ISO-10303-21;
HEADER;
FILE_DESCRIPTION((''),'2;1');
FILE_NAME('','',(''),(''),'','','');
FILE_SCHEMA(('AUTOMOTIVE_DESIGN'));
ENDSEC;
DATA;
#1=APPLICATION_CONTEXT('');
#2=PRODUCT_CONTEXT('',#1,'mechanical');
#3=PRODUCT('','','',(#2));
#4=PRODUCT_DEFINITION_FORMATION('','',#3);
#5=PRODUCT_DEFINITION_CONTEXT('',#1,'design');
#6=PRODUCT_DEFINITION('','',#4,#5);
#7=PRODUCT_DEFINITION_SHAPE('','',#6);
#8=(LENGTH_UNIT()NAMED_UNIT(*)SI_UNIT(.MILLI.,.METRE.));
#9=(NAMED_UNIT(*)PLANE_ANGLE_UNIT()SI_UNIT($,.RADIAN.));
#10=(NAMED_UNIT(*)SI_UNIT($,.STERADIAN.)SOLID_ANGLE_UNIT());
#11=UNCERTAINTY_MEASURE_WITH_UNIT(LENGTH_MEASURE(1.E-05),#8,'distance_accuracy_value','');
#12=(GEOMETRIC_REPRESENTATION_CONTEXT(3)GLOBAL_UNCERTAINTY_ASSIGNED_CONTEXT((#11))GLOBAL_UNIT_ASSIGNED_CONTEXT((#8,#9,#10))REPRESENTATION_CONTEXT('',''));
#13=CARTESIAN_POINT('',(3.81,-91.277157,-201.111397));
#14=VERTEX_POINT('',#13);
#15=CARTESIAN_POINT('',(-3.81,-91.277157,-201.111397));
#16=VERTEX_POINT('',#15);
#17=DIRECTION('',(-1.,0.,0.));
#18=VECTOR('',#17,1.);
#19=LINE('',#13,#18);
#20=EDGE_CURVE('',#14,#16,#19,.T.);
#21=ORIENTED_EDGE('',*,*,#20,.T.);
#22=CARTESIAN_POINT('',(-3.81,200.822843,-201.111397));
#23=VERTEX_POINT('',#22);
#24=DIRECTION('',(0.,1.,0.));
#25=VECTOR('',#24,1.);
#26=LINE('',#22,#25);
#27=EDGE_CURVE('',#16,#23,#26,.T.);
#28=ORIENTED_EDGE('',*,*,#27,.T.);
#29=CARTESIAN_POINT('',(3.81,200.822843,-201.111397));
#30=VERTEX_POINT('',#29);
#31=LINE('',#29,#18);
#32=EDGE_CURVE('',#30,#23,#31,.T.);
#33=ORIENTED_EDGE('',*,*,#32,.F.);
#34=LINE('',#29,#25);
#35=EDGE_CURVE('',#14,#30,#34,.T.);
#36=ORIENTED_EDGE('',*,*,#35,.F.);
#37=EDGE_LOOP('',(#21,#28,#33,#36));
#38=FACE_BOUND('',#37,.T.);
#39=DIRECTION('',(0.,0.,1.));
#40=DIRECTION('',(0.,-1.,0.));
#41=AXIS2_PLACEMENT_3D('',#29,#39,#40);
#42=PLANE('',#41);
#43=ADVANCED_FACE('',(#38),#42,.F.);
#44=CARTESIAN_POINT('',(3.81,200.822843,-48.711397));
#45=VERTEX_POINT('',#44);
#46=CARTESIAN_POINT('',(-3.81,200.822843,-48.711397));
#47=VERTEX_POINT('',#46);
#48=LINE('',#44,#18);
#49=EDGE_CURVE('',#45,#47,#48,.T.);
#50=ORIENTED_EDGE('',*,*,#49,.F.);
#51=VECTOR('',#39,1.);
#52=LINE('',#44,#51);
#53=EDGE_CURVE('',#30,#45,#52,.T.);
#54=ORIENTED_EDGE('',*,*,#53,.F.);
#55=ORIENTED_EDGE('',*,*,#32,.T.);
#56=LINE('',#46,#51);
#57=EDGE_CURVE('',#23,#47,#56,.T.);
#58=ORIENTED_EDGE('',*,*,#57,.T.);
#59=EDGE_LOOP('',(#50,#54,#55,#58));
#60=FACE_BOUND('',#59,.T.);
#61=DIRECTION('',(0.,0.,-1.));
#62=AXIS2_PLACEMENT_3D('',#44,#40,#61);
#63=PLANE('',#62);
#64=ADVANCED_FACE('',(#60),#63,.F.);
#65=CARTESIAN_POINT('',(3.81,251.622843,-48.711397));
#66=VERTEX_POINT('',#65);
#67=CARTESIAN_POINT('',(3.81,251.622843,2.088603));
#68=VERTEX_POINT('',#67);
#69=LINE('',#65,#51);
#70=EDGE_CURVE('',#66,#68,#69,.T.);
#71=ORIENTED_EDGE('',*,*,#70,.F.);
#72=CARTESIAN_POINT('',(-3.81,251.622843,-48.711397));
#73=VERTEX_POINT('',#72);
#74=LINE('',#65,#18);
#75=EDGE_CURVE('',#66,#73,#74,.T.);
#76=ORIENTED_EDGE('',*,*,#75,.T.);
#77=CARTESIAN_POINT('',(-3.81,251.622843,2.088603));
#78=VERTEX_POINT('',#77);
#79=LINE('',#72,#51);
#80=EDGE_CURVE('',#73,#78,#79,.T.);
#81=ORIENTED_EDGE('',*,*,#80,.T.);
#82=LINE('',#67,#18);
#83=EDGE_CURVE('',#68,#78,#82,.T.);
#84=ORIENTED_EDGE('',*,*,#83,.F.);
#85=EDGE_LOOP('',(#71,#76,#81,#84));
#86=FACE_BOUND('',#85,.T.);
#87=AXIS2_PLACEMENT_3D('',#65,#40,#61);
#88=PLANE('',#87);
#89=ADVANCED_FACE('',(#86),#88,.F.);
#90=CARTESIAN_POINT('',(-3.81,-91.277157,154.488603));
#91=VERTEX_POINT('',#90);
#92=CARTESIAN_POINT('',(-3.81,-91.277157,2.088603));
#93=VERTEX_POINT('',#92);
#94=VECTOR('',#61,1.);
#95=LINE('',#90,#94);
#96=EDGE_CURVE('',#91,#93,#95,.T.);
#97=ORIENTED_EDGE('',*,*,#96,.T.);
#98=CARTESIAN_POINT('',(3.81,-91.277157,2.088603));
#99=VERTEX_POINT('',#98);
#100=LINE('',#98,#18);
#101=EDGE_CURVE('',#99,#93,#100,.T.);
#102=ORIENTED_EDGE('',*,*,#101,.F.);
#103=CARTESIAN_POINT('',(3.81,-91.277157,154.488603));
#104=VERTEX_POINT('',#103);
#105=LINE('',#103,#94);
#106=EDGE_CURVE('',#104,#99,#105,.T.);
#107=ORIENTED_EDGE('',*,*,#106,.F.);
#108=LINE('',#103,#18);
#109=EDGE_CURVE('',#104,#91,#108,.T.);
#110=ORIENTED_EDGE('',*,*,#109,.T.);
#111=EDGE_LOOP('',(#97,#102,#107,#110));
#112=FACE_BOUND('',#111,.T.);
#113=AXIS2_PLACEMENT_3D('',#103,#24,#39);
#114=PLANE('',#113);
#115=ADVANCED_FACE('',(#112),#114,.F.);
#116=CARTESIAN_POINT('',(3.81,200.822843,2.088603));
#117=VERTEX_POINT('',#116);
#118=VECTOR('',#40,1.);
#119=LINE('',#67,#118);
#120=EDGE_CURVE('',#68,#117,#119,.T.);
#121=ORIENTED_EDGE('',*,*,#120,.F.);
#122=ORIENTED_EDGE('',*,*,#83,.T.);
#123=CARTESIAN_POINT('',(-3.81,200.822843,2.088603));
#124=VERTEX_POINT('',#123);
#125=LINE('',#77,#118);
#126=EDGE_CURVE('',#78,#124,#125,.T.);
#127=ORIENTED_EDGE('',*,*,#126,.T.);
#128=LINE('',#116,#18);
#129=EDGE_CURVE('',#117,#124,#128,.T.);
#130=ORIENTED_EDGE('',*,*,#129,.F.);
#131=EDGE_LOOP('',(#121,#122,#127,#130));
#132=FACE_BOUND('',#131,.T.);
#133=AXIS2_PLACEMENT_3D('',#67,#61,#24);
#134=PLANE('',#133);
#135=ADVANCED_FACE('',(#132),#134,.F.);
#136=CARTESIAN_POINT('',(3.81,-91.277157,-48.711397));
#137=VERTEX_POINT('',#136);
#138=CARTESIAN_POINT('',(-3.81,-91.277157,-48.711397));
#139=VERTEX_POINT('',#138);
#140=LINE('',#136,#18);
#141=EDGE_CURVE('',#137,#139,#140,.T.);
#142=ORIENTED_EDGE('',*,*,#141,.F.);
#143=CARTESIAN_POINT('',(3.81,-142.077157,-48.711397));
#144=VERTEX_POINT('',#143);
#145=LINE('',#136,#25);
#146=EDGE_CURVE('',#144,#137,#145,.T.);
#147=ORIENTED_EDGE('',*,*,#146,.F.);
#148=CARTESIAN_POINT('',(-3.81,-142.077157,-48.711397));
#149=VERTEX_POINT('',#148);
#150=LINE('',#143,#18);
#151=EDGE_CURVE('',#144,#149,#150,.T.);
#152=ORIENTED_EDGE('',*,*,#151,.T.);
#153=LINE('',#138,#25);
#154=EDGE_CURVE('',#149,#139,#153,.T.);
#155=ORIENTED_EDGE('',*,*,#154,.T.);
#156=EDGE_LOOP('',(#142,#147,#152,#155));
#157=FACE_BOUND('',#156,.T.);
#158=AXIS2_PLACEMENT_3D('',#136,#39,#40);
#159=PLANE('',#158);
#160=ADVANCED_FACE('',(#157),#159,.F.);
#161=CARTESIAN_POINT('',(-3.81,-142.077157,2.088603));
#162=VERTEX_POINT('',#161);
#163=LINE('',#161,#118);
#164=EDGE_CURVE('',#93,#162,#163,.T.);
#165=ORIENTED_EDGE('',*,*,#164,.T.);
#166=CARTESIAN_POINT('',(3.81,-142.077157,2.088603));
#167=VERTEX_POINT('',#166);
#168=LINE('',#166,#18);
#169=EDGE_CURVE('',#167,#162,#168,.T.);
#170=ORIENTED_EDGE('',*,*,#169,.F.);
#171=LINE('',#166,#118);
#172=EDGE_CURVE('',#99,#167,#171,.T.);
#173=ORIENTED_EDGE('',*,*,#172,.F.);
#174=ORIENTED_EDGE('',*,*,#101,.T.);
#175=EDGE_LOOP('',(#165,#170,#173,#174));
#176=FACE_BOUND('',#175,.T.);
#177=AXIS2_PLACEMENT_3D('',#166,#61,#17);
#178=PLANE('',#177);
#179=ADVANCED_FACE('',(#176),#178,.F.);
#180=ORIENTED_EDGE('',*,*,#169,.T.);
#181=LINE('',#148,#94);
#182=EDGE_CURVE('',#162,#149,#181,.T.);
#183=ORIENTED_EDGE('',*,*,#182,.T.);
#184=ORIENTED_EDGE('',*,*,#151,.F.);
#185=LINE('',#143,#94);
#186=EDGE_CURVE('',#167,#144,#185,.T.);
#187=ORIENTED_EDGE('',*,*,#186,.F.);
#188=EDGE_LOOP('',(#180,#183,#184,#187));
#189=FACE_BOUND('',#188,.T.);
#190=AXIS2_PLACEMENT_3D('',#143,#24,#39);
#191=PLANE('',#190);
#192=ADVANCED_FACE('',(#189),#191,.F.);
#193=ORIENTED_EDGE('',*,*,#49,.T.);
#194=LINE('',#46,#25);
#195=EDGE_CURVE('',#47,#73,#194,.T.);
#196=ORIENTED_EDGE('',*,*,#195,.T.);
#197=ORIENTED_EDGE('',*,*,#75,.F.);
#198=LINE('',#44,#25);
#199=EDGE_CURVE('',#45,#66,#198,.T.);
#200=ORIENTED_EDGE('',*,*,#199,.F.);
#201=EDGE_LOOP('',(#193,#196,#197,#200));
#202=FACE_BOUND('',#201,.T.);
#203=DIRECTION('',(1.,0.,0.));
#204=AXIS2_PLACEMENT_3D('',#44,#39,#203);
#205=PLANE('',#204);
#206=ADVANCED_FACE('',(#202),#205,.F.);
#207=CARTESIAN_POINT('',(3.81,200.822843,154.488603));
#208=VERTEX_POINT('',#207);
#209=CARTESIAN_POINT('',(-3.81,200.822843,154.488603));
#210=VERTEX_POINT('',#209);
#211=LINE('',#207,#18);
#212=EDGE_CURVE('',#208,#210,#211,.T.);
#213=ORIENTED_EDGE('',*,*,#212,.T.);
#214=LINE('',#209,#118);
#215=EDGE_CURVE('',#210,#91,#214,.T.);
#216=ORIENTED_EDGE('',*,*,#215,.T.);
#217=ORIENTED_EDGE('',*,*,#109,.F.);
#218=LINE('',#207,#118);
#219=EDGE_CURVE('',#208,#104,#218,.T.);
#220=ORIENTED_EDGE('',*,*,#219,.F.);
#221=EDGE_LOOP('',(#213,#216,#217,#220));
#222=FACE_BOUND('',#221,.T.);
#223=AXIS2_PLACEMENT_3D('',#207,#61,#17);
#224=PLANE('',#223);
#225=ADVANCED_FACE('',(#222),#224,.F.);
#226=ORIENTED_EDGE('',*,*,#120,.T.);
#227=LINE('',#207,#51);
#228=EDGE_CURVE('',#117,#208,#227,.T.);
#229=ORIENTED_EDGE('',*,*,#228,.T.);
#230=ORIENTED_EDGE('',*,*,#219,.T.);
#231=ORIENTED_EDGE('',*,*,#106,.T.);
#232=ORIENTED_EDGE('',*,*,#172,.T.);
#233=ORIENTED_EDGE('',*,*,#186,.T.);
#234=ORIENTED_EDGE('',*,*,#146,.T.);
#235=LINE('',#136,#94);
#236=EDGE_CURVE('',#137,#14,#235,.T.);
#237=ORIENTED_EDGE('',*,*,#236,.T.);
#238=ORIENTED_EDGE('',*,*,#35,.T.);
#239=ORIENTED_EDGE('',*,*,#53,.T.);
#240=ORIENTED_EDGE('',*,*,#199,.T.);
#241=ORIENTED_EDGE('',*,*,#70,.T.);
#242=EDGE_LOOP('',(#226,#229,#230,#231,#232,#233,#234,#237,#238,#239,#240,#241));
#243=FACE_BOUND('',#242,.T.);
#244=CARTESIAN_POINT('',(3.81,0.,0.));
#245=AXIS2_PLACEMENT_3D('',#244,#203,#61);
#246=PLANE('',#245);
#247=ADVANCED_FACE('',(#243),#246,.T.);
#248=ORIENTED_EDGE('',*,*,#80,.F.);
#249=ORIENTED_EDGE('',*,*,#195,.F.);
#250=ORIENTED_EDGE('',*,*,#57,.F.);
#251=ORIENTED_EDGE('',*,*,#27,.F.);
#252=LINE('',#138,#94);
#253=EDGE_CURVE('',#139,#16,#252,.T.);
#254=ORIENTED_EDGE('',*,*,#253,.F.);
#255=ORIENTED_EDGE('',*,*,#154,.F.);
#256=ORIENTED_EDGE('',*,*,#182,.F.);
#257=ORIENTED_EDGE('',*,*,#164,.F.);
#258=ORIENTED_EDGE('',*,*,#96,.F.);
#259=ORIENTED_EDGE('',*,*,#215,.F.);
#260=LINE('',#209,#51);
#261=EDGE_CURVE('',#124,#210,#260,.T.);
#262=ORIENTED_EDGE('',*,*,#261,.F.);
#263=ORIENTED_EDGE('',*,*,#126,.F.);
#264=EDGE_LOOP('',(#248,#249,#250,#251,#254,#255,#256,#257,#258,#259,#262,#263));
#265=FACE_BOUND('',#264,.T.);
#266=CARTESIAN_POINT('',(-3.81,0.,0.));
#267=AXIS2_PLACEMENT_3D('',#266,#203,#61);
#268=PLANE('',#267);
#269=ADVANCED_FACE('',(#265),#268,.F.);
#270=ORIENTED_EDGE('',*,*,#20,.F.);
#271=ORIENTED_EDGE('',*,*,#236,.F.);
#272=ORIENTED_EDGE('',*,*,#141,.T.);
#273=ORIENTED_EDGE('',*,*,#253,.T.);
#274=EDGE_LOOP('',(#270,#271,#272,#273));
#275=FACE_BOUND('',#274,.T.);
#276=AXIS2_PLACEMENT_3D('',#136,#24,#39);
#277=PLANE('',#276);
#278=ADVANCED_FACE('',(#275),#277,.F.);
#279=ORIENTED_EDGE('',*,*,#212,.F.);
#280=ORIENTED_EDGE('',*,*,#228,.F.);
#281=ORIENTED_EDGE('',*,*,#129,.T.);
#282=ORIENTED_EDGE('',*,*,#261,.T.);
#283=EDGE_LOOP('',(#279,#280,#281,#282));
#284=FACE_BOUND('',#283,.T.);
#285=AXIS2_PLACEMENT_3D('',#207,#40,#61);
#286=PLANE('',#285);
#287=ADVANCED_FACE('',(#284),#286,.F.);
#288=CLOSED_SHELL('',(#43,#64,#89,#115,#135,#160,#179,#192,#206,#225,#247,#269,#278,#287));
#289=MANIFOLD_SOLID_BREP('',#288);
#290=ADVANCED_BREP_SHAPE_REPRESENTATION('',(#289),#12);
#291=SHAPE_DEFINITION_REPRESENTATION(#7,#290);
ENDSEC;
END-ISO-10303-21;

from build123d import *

# Parameters (mm, degrees)
BOSS_EXTRUDE1_DEPTH = 3.81


with BuildPart() as part:
    # Sketch1 → Boss-Extrude1 (new, symmetric)
    with BuildSketch(Plane(origin=(0, 0, 0), x_dir=(0, 0, -1), z_dir=(1, 0, 0))):
        Polygon((48.711396512, 200.82284349), (201.111396512, 200.82284349), (201.111396512, -91.27715651), (48.711396512, -91.27715651), (48.711396512, -142.07715651), (-2.088603488, -142.07715651), (-2.088603488, -91.27715651), (-154.488603488, -91.27715651), (-154.488603488, 200.82284349), (-2.088603488, 200.82284349), (-2.088603488, 251.62284349), (48.711396512, 251.62284349), align=None)
    extrude(amount=BOSS_EXTRUDE1_DEPTH, both=True)


solid = part.part
